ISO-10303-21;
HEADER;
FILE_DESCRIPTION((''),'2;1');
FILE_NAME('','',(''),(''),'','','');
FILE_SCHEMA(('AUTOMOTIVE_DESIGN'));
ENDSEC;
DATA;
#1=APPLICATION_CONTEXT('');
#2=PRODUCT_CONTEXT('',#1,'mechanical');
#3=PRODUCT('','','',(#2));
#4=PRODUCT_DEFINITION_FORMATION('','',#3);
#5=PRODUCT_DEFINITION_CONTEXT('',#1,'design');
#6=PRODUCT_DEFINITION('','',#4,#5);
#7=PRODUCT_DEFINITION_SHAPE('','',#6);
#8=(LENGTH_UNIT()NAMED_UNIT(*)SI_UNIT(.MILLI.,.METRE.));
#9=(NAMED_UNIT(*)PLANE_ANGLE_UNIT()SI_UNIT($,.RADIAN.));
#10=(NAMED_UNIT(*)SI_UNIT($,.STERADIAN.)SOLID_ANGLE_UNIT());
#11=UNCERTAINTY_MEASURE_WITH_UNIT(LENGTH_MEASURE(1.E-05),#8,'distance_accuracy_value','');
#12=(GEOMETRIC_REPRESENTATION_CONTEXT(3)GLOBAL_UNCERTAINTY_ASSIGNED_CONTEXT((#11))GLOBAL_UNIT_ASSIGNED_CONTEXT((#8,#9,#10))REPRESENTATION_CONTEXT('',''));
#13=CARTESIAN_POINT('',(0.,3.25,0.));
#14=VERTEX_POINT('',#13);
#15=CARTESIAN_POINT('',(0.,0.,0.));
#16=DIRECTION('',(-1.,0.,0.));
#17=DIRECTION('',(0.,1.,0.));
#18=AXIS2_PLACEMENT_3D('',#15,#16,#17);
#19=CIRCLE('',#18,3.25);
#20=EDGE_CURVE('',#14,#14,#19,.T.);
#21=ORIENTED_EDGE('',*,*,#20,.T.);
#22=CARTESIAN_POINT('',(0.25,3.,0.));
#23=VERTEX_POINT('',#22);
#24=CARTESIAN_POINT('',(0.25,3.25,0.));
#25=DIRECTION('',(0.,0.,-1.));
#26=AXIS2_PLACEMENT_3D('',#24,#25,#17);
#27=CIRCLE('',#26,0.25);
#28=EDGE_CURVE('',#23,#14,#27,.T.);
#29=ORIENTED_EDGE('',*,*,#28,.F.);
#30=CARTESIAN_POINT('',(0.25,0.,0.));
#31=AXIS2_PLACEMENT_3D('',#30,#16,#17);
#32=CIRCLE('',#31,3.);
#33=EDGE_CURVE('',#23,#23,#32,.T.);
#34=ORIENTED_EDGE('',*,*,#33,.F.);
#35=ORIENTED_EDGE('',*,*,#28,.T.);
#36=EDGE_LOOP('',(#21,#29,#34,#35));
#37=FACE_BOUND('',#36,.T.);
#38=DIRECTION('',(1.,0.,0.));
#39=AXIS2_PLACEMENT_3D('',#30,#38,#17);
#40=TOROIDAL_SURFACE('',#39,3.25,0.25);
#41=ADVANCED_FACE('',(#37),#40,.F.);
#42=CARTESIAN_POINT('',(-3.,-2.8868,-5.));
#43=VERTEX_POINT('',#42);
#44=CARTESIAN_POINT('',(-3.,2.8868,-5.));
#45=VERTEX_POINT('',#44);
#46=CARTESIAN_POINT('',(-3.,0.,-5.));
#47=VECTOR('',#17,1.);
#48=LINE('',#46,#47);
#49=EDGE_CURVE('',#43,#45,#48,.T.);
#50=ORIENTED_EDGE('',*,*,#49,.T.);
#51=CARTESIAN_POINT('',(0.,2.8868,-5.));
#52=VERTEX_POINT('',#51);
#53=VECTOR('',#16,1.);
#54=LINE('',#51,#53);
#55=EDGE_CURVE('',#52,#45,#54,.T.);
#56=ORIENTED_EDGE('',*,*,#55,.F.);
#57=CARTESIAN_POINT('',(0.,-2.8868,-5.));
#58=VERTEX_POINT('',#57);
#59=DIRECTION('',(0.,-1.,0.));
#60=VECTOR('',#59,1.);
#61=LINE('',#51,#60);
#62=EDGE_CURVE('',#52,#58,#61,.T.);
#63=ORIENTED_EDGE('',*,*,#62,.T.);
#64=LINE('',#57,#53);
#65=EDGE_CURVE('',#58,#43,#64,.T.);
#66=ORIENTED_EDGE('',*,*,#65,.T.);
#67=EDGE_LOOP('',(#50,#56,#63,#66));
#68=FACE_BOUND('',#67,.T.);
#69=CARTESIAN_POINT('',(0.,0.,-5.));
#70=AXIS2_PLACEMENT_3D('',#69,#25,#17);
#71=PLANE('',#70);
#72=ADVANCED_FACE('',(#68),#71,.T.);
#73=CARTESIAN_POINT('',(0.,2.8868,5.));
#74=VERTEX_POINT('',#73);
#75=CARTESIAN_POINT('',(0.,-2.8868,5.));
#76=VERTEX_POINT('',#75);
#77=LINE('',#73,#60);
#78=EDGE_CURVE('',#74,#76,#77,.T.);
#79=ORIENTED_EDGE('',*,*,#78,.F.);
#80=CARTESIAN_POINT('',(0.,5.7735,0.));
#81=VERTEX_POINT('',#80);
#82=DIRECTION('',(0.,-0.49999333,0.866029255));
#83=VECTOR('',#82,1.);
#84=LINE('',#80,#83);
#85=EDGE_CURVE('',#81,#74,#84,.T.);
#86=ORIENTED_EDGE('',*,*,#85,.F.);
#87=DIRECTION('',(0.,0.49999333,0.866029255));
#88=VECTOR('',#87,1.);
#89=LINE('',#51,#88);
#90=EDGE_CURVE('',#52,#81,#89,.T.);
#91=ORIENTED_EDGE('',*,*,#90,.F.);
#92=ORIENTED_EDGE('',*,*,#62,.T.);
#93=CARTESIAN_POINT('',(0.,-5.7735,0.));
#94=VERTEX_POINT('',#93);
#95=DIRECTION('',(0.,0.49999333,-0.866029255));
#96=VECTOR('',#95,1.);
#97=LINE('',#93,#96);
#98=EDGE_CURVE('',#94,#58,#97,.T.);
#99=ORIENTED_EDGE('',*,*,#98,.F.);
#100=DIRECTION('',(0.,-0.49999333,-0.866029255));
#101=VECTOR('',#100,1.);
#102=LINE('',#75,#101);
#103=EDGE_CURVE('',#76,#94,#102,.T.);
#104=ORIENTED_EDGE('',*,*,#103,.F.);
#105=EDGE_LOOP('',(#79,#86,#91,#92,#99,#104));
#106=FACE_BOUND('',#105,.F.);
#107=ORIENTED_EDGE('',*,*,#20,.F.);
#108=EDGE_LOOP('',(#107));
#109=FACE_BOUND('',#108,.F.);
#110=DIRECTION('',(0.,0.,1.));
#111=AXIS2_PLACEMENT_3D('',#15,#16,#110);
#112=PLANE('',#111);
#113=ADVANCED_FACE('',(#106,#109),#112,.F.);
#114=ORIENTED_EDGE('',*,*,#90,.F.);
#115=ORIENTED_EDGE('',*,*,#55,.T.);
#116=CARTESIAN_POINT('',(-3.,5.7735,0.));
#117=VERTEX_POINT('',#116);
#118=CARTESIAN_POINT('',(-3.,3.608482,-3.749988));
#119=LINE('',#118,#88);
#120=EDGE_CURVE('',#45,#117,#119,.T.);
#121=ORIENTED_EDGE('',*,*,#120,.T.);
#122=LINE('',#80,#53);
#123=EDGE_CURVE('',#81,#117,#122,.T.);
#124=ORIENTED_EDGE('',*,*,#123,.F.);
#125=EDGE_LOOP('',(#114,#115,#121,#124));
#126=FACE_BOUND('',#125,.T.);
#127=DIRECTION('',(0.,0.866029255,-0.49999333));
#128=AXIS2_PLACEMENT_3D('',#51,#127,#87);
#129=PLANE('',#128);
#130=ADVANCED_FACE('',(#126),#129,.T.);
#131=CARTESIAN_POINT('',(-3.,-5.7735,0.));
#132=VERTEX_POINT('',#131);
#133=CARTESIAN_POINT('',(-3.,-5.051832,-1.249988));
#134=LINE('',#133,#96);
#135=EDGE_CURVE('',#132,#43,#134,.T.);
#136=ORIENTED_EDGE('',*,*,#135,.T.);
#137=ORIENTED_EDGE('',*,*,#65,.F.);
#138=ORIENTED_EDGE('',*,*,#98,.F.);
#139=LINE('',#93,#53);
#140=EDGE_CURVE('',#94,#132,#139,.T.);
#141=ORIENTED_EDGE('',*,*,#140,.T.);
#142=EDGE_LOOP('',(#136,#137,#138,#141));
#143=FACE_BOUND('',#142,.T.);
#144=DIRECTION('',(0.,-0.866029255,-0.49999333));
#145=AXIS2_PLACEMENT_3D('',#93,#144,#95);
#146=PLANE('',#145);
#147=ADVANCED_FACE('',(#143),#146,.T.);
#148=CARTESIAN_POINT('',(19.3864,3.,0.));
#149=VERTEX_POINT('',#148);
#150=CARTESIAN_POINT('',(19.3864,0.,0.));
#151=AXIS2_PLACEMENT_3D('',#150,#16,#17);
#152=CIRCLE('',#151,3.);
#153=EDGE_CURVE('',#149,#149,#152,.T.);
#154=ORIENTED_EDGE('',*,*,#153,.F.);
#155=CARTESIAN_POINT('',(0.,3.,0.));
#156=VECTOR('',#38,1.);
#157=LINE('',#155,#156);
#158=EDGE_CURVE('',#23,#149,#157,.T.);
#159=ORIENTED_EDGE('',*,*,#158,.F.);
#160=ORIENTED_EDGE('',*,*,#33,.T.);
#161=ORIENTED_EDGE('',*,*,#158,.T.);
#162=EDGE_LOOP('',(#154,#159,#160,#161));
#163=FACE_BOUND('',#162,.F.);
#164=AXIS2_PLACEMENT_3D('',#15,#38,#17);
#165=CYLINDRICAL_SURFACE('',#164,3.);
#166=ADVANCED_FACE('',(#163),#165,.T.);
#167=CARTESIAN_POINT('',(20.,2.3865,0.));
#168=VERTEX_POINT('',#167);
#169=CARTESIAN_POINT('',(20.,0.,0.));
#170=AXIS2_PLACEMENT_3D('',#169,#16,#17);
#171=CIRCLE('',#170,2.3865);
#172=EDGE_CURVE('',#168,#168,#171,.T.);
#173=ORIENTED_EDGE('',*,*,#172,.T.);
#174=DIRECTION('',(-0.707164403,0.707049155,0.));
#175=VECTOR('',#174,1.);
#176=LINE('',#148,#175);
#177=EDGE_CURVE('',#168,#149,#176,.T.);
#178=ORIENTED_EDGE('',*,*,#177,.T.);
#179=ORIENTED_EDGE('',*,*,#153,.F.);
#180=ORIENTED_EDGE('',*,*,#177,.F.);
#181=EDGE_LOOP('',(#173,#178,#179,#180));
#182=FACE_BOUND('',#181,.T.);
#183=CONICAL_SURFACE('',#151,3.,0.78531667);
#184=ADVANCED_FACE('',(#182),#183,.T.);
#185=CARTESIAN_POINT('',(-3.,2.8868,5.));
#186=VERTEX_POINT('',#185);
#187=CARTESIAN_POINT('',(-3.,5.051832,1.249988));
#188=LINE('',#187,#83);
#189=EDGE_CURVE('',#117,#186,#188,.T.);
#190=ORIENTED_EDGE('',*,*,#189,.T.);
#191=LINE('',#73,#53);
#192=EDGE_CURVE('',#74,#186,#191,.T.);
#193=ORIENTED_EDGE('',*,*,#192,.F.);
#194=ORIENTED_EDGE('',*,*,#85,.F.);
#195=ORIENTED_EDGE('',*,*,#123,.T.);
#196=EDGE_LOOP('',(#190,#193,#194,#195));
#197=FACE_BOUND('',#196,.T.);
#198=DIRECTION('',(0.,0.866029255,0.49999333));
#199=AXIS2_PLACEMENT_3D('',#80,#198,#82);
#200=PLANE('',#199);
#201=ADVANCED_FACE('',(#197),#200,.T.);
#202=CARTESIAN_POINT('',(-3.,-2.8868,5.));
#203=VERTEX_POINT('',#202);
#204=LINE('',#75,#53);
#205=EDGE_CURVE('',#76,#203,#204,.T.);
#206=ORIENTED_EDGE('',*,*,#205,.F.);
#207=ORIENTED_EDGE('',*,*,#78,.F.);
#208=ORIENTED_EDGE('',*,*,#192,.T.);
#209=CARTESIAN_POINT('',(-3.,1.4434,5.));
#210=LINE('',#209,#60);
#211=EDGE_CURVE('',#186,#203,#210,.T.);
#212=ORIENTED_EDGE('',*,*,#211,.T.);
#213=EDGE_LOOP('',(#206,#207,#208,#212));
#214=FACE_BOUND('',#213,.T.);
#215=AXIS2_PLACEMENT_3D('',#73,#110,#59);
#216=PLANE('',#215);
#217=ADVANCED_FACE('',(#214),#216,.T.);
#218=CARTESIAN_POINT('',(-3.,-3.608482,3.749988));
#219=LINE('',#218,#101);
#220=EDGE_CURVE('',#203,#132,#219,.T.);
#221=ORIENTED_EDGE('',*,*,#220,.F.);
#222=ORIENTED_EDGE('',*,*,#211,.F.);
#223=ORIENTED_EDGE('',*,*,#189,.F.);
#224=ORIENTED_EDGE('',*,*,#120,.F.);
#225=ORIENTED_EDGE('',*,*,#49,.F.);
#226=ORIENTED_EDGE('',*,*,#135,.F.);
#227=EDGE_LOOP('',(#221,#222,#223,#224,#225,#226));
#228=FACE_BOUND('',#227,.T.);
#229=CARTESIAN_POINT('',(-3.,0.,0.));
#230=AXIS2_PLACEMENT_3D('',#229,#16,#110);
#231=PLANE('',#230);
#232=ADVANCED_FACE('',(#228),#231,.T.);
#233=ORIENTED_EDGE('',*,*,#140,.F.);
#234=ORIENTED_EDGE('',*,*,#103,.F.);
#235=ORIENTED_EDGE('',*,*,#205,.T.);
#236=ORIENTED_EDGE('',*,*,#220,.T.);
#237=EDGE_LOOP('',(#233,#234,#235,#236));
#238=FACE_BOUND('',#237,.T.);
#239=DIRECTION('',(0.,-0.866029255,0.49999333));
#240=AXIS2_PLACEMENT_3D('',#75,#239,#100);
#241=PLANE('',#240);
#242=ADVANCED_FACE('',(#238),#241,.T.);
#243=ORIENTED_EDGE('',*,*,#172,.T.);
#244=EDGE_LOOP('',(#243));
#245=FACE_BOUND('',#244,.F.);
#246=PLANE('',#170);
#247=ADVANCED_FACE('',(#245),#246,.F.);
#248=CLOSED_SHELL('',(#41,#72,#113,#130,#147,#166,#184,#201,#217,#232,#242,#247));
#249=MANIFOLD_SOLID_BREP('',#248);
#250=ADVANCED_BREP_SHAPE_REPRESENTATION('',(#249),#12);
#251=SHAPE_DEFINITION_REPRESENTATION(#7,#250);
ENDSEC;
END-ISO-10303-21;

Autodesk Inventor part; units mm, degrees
ref_plane "YZ Plane" through (0, 0, 0) normal (1, 0, 0) x (0, 1, 0)
ref_plane "XZ Plane" through (0, 0, 0) normal (0, 1, 0) x (-1, 0, 0)
sketch "Sketch1" plane through (0, 0, 0) normal (0, 0, 1) x (1, 0, 0)
  line L0 (0, 3) -> (20, 3)
  line L1 (20, 3) -> (20, 0)
  line L2 (20, 0) -> (0, 0)
  line L3 (-4, 0) -> (24, 0) projected
  line L4 (0, -0.6) -> (0, 3.6) projected
  line L5 (0, 3) -> (0, 0)
  dimension "d2" = 6
  dimension "d59" = 20
revolve "Body" add sketch "Sketch1" angle 360 about axis through (20, 0, 0) along (-1, 0, 0)
sketch "Sketch2" plane through (0, 0, 0) normal (-1, 0, 0) x (0, 0, 1)
  line L0 (0, 5.7735) -> (5, 2.8868)
  line L1 (5, 2.8868) -> (5, -2.8868)
  line L2 (5, -2.8868) -> (0, -5.7735)
  line L3 (0, -5.7735) -> (-5, -2.8868)
  line L4 (-5, -2.8868) -> (-5, 2.8868)
  line L5 (-5, 2.8868) -> (0, 5.7735)
  line L6 (-7, 0) -> (7, 0) projected
  line L7 (0, 8.0829) -> (0, -8.0829) projected
  point P0 (0, 0)
  point P1 (0, 0)
  dimension "d11" = 10
extrude "Head" add sketch "Sketch2" along normal blind 4
sketch "Sketch4" plane through (0, 0, 0) normal (0, 0, 1) x (1, 0, 0)
  line L0 (-3.4226, 6) -> (-4, 5)
  line L1 (-1.1, 0) -> (-0.234, 0)
  line L2 (-4.7532, 0) -> (0.5192, 0) projected
  line L3 (-4, 6) -> (-3.4226, 6)
  line L4 (-4, 5) -> (-4, 6)
  line L5 (0, 7.2) -> (0, -1.2) projected
  dimension "d65" = 10
  dimension "d67" = 30
  dimension "d68" = 12
  dimension "d69" = 4
revolve "Chamfer1" cut sketch "Sketch4" angle 360 about axis through (-1.1, 0, 0) along (1, 0, 0)
thread "Thread" size "M6x1" designation "M6" class "6g" standard "GB Metric profile" length 19
chamfer "Chamfer2" distance 0.6135 distance2 0.6136 1 edges at (20, -3, 0) measured on face at (20, -0.301, 1.1526)
fillet "Fillet2" radius 0.25 1 edges at (0, -3, 0)
ref_plane "Work Plane1" through (1.525, 0, 0) normal (0, 0, 1) x (1, 0, 0)
sketch "Sketch7" plane through (-4, 0, 0) normal (-1, 0, 0) x (0, 0, 1)
  arc A0 (2.5, 4.3301) -> (-2.5, 4.3301) centre (0, 0) ccw projected
  circle A1 centre (0, 0) radius 6.6144
extrude "Extrusion5" cut sketch "Sketch7" against normal blind 1
equation "\"d2\" = GD"
equation "\"d59\" = NLG"
equation "\"d11\" = SW"
equation "\"d3\" = KOH"
equation "\"d71\" = RR"
equation "\"d15\" = GEL"
equation "\"d6\" = -0.5 * SPD + 0.5 * GD"
equation "\"d65\" = SW"
equation "\"d67\" = ANG1"
equation "\"d68\" = 1.2 * SW"
equation "\"d69\" = KOH"
equation "\"NLG\" = 20"
equation "\"GD\" = NND"
equation "\"BDM\" = NND"
equation "\"KOH\" = 4"
equation "\"GEL\" = 19"
equation "\"SW\" = 10"
equation "\"SPD\" = NND - 1.2269 * PTC"
equation "\"SD2\" = NND"
equation "\"SD\" = 0"
equation "\"ANG1\" = 30deg"
equation "\"GAL\" = 0.61345 * PTC"
equation "\"GUL\" = 0.61345 * PTC"
equation "\"RR\" = 0.25"
equation "\"RR1\" = 0.1"
equation "\"WFT\" = 0"
equation "\"GD1\" = THREADDIA - 1.2269 * PTC"
equation "\"THREADDIA\" = 6"
equation "\"TOA\" = 30deg"
equation "\"FAWI\" = 90deg"
equation "\"PTC\" = 1"
equation "\"NND\" = 6"
equation "\"E0\" = 1.155 * SW"
properties part number "Hexagon bolt GB/T 5781 M6 x 20" material "Steel, Mild"
